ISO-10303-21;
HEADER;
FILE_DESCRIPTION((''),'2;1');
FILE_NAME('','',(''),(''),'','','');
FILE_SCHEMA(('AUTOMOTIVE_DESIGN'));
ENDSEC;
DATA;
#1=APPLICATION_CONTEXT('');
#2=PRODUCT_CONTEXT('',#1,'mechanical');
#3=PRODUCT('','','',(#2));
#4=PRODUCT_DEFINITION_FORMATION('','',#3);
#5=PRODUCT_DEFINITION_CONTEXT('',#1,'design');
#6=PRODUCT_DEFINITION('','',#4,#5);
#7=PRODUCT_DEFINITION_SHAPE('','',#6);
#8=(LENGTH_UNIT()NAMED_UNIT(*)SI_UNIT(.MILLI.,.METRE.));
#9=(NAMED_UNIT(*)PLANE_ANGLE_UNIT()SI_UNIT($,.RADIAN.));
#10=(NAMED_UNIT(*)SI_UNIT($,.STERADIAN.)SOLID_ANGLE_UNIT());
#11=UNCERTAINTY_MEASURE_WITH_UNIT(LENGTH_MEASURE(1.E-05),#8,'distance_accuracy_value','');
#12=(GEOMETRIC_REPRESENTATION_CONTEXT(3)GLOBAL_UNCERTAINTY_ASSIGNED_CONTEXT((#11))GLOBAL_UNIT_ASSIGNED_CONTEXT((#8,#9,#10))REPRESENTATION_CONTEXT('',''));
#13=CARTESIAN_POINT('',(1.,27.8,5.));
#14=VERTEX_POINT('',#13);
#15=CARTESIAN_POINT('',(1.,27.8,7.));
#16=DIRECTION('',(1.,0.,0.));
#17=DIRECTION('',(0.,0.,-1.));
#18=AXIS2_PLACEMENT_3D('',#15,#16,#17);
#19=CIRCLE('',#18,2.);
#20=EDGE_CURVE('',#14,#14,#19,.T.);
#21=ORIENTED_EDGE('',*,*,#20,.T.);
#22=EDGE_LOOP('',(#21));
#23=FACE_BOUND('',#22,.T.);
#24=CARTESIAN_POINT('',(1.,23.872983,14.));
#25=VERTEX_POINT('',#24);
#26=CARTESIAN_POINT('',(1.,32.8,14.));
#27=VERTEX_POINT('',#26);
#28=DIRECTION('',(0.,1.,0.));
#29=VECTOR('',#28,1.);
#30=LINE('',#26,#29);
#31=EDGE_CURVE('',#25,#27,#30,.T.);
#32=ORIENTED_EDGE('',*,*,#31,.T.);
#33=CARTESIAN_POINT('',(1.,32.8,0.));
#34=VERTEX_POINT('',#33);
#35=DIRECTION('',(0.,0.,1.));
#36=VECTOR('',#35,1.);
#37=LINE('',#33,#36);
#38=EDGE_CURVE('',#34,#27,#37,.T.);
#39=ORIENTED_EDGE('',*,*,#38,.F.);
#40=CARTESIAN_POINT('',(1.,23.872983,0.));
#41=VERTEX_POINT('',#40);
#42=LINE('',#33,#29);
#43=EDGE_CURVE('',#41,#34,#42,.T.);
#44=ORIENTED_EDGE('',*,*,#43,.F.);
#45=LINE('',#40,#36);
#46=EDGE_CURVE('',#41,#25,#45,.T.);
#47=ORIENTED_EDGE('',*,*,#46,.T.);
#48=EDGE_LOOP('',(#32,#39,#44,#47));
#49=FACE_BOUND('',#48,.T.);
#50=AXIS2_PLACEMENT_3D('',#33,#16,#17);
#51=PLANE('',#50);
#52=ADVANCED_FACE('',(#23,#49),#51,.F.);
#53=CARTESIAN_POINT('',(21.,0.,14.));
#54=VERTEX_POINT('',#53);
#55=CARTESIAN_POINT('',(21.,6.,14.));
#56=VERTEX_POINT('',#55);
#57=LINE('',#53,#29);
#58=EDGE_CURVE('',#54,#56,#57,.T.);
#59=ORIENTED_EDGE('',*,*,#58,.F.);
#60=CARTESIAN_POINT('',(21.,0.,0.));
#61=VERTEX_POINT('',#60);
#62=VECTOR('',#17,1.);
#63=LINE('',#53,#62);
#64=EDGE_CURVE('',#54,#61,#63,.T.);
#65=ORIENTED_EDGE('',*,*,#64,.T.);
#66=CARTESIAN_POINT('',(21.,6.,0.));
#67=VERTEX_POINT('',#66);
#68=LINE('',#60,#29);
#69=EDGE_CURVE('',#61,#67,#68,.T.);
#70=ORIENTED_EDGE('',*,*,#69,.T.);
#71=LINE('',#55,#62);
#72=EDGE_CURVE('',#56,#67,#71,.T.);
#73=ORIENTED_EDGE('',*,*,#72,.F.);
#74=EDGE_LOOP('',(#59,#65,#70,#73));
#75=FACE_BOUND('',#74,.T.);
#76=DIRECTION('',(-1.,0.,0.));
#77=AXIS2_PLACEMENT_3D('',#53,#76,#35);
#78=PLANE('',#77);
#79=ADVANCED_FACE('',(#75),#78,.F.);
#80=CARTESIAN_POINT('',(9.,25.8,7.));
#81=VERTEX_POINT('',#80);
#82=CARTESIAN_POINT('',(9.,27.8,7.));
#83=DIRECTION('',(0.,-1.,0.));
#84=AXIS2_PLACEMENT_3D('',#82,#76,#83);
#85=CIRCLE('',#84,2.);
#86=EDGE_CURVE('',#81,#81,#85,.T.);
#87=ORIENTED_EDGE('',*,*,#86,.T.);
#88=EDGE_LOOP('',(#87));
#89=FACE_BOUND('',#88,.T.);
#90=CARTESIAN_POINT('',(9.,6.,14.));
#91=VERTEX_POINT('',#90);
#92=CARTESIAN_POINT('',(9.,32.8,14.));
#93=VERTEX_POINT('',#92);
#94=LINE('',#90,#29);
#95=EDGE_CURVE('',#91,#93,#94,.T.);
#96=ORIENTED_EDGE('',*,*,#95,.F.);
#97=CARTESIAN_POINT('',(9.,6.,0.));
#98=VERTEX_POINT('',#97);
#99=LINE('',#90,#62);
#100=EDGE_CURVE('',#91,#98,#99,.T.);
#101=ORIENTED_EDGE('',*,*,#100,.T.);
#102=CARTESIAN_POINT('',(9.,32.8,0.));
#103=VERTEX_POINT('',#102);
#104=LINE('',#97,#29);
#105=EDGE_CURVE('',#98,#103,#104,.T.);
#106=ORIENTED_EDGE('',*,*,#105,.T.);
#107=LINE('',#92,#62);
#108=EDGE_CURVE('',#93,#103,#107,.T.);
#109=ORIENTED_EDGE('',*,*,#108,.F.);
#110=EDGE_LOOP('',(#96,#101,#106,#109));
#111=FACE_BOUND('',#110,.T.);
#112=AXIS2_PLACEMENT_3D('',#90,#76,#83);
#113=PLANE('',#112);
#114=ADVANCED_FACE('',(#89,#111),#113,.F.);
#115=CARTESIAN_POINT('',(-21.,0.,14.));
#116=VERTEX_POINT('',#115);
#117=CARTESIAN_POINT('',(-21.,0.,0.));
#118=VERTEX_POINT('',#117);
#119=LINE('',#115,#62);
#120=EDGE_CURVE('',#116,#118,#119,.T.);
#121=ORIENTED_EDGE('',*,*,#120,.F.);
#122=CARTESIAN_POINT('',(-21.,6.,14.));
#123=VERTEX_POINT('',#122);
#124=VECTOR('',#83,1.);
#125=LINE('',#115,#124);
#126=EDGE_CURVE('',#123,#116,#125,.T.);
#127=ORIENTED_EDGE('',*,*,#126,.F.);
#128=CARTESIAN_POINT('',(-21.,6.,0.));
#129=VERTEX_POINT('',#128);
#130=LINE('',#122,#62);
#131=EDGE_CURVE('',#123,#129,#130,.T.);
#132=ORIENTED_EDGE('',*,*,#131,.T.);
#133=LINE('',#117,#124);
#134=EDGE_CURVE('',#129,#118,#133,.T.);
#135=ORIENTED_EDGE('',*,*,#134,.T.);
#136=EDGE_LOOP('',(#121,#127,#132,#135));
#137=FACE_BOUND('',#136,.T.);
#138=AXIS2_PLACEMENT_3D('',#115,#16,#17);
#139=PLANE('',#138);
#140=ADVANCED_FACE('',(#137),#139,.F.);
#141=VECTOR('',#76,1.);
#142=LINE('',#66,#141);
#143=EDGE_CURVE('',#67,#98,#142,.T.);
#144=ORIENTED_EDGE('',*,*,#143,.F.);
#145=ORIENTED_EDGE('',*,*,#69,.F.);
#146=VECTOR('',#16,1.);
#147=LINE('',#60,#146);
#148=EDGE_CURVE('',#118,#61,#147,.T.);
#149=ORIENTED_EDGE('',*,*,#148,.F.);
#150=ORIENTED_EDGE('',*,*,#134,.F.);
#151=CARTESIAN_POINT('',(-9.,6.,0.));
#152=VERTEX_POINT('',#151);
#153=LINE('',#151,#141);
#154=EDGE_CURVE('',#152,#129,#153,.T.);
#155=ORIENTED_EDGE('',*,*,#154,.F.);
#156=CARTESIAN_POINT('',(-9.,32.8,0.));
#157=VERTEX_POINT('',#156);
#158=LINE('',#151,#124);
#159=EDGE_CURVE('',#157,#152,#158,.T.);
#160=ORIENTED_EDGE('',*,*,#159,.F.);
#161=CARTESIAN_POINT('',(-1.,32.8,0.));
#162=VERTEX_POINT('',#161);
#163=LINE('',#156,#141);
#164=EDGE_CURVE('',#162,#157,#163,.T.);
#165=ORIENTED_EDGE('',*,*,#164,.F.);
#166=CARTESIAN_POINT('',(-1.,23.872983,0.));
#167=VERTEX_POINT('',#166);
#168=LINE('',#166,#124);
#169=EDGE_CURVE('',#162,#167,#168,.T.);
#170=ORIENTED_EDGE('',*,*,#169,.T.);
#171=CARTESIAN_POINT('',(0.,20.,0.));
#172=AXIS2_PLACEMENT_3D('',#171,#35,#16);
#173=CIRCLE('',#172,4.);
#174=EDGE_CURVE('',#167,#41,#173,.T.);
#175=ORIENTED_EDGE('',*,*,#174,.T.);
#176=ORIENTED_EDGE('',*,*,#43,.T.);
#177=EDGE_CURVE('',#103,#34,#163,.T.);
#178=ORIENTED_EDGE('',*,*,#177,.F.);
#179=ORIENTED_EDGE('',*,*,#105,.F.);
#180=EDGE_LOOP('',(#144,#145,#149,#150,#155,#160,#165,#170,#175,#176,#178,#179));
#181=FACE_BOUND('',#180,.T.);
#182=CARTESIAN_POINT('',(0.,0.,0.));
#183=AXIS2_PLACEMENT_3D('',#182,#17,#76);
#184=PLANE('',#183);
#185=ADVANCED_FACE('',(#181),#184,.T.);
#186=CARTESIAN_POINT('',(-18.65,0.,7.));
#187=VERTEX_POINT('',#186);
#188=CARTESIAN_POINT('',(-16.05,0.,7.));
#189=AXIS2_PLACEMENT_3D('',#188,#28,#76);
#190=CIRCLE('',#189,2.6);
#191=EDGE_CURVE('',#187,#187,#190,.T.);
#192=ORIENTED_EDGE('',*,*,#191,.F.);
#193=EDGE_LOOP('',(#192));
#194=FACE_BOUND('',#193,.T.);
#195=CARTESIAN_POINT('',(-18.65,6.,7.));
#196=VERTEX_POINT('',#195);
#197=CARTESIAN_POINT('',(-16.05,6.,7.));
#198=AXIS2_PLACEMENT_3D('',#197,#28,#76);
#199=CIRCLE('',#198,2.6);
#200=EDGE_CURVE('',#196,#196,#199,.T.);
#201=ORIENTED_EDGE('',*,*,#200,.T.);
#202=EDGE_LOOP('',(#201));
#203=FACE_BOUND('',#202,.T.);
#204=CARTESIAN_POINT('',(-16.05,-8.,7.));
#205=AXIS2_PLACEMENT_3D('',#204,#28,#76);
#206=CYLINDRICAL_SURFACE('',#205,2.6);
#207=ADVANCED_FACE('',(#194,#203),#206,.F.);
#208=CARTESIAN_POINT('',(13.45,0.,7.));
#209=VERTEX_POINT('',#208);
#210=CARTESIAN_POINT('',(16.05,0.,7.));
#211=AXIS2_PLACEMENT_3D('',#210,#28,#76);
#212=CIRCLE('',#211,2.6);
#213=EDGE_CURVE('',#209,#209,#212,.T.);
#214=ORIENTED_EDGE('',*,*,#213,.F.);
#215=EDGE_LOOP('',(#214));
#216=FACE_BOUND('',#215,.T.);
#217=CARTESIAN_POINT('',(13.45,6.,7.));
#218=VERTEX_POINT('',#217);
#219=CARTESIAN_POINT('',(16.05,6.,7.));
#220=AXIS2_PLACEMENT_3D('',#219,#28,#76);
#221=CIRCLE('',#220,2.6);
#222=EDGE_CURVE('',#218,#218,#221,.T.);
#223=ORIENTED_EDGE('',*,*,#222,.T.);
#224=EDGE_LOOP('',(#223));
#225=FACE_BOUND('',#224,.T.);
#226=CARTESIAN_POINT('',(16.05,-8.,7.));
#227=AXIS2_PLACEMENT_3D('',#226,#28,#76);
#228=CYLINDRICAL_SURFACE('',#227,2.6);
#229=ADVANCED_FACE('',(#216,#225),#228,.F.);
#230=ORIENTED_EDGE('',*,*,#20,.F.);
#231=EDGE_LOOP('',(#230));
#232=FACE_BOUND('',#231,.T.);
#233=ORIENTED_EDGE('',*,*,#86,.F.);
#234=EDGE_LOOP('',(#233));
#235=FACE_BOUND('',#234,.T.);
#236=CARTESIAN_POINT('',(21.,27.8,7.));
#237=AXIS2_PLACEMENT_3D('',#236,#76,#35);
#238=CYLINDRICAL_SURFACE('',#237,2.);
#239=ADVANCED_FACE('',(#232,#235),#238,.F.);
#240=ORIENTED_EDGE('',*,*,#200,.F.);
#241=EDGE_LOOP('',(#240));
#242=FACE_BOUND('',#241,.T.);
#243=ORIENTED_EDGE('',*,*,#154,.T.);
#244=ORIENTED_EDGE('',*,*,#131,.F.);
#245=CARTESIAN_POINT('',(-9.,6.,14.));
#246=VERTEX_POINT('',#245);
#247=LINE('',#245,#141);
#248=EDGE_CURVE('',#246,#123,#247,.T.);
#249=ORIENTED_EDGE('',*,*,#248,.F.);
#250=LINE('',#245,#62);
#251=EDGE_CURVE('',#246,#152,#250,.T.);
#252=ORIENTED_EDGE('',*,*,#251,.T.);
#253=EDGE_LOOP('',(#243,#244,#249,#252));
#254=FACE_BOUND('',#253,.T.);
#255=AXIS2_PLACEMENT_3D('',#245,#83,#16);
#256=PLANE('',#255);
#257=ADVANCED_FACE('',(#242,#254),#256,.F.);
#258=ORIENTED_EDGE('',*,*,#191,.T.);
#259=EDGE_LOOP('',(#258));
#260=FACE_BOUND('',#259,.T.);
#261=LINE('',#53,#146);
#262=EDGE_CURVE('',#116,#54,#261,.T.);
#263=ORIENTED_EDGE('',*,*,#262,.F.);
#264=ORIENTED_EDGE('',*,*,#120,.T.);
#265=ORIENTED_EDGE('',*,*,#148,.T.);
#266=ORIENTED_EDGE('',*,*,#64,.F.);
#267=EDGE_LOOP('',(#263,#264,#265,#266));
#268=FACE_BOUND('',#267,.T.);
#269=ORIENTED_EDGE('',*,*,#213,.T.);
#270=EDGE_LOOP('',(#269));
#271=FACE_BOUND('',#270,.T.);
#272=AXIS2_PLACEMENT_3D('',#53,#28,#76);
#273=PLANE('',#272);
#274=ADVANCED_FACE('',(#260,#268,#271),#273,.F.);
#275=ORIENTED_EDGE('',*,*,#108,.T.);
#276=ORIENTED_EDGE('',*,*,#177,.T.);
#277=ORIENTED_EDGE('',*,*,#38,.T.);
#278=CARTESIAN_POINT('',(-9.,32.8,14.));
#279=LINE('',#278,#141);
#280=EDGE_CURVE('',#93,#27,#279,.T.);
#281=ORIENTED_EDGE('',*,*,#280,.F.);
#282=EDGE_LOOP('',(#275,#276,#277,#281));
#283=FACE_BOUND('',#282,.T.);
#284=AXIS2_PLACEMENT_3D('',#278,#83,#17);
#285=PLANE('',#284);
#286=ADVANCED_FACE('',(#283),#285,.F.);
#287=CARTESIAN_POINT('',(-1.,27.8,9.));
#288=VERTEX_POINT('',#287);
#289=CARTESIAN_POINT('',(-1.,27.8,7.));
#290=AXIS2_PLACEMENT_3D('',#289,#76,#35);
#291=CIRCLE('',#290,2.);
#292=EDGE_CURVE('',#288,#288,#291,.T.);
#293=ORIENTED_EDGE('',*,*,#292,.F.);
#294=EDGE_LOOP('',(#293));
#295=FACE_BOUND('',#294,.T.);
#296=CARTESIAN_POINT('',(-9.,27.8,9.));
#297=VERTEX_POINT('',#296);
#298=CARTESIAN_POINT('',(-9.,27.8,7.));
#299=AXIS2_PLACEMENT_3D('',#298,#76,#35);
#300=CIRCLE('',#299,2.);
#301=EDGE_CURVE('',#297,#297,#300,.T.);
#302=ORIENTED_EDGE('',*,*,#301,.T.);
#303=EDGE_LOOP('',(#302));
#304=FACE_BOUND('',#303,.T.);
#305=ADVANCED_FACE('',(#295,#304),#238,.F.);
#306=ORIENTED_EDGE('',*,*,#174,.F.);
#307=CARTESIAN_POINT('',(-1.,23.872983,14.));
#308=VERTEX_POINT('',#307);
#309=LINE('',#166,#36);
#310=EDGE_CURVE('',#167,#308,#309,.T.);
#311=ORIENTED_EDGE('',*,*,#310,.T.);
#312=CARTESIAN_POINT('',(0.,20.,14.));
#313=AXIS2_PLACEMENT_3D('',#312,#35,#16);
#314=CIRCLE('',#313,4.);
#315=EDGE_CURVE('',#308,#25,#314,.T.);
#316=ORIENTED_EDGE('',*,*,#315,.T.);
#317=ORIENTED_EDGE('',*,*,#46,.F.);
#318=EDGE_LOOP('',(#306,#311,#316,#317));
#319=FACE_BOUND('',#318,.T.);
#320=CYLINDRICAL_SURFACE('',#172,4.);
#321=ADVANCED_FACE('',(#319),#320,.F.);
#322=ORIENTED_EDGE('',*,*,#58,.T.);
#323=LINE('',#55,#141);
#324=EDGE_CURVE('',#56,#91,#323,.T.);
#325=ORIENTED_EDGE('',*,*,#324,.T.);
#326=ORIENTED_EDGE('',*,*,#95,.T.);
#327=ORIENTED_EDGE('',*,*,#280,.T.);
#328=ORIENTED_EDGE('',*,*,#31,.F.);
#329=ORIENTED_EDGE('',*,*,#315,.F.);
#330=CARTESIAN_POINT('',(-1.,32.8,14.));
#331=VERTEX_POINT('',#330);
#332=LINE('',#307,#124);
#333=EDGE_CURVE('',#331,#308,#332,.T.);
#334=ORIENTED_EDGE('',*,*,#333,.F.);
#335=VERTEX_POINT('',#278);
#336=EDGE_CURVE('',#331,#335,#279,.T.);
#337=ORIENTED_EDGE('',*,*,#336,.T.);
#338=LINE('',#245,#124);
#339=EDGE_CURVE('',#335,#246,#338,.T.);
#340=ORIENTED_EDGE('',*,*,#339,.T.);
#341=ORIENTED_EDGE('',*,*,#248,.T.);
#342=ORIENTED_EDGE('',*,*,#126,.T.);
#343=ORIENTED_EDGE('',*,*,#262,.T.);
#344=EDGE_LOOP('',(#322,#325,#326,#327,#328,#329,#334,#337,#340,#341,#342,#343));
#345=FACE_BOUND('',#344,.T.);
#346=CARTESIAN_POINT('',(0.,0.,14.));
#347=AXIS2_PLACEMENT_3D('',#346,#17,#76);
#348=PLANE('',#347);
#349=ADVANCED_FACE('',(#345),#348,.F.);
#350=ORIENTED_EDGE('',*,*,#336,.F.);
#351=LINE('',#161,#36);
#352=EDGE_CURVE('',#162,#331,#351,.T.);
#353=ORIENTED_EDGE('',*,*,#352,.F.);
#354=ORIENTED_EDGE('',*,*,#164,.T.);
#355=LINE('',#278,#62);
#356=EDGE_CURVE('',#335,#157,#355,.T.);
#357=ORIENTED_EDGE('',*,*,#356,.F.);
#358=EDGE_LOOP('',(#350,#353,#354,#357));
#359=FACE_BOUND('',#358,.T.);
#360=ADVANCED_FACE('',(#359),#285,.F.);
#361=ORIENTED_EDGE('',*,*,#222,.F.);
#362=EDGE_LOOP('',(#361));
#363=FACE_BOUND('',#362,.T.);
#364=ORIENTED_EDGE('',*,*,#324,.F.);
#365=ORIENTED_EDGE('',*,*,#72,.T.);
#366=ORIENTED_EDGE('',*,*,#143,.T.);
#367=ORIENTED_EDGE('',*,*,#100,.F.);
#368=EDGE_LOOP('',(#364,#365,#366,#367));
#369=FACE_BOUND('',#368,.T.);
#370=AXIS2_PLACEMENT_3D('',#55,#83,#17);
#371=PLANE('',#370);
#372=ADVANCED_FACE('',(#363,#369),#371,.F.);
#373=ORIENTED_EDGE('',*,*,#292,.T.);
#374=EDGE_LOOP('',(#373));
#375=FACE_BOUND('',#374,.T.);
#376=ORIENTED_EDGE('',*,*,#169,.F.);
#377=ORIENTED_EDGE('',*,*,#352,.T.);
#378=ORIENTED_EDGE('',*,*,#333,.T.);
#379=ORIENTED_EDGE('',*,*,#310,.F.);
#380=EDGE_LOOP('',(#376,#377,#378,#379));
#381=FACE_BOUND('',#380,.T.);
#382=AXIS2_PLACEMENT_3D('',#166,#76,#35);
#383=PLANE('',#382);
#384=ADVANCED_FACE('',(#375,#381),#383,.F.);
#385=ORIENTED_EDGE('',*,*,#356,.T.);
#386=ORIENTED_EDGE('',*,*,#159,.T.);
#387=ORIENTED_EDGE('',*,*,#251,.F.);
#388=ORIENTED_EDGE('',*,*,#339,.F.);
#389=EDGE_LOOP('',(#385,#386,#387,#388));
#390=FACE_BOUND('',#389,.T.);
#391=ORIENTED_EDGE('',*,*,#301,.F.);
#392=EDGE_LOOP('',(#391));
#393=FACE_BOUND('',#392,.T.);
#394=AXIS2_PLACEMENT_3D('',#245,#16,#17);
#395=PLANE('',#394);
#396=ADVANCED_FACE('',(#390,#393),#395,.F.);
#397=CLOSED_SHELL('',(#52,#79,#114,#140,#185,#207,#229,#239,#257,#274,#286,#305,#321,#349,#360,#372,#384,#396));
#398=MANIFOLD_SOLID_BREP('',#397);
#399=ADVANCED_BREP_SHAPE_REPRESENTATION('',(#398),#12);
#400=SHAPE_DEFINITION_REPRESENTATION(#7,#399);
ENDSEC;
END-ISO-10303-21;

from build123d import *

# Parameters (mm, degrees)
SALIENTE_EXTRUIR1_DEPTH = 14
CROQUIS2_R              = 2.6
CORTAR_EXTRUIR1_DEPTH   = 14
CORTAR_EXTRUIR2_DEPTH   = 15
CROQUIS4_R              = 2
CORTAR_EXTRUIR3_DEPTH   = 31


with BuildPart() as part:
    # Croquis1 → Saliente-Extruir1 (new body)
    with BuildSketch(Plane.XY):
        Polygon((-9, 6), (-9, 32.8), (9, 32.8), (9, 6), (21, 6), (21, 0), (-21, 0), (-21, 6), align=None)
    extrude(amount=SALIENTE_EXTRUIR1_DEPTH)

    # Croquis2 → Cortar-Extruir1 (cut)
    with BuildSketch(Plane(origin=(0, 6, 0), x_dir=(1, 0, 0), z_dir=(0, 1, 0))):
        with Locations((-16.05, -7)):
            Circle(CROQUIS2_R)
        with Locations((16.05, -7)):
            Circle(CROQUIS2_R)
    extrude(amount=-CORTAR_EXTRUIR1_DEPTH, mode=Mode.SUBTRACT)

    # Croquis3 → Cortar-Extruir2 (cut, through all)
    with BuildSketch(Plane.XY.offset(14)):
        with BuildLine():
            Line((-1, 23.872983346), (-1, 32.8))
            Line((-1, 32.8), (1, 32.8))
            Line((1, 32.8), (1, 23.872983346))
            ThreePointArc((1, 23.872983346), (0, 16), (-1, 23.872983346))
        make_face()
    extrude(amount=-CORTAR_EXTRUIR2_DEPTH, mode=Mode.SUBTRACT)

    # Croquis4 → Cortar-Extruir3 (cut, through all)
    with BuildSketch(Plane.ZY.offset(9)):
        with Locations((7, 27.8)):
            Circle(CROQUIS4_R)
    extrude(amount=-CORTAR_EXTRUIR3_DEPTH, mode=Mode.SUBTRACT)


solid = part.part
